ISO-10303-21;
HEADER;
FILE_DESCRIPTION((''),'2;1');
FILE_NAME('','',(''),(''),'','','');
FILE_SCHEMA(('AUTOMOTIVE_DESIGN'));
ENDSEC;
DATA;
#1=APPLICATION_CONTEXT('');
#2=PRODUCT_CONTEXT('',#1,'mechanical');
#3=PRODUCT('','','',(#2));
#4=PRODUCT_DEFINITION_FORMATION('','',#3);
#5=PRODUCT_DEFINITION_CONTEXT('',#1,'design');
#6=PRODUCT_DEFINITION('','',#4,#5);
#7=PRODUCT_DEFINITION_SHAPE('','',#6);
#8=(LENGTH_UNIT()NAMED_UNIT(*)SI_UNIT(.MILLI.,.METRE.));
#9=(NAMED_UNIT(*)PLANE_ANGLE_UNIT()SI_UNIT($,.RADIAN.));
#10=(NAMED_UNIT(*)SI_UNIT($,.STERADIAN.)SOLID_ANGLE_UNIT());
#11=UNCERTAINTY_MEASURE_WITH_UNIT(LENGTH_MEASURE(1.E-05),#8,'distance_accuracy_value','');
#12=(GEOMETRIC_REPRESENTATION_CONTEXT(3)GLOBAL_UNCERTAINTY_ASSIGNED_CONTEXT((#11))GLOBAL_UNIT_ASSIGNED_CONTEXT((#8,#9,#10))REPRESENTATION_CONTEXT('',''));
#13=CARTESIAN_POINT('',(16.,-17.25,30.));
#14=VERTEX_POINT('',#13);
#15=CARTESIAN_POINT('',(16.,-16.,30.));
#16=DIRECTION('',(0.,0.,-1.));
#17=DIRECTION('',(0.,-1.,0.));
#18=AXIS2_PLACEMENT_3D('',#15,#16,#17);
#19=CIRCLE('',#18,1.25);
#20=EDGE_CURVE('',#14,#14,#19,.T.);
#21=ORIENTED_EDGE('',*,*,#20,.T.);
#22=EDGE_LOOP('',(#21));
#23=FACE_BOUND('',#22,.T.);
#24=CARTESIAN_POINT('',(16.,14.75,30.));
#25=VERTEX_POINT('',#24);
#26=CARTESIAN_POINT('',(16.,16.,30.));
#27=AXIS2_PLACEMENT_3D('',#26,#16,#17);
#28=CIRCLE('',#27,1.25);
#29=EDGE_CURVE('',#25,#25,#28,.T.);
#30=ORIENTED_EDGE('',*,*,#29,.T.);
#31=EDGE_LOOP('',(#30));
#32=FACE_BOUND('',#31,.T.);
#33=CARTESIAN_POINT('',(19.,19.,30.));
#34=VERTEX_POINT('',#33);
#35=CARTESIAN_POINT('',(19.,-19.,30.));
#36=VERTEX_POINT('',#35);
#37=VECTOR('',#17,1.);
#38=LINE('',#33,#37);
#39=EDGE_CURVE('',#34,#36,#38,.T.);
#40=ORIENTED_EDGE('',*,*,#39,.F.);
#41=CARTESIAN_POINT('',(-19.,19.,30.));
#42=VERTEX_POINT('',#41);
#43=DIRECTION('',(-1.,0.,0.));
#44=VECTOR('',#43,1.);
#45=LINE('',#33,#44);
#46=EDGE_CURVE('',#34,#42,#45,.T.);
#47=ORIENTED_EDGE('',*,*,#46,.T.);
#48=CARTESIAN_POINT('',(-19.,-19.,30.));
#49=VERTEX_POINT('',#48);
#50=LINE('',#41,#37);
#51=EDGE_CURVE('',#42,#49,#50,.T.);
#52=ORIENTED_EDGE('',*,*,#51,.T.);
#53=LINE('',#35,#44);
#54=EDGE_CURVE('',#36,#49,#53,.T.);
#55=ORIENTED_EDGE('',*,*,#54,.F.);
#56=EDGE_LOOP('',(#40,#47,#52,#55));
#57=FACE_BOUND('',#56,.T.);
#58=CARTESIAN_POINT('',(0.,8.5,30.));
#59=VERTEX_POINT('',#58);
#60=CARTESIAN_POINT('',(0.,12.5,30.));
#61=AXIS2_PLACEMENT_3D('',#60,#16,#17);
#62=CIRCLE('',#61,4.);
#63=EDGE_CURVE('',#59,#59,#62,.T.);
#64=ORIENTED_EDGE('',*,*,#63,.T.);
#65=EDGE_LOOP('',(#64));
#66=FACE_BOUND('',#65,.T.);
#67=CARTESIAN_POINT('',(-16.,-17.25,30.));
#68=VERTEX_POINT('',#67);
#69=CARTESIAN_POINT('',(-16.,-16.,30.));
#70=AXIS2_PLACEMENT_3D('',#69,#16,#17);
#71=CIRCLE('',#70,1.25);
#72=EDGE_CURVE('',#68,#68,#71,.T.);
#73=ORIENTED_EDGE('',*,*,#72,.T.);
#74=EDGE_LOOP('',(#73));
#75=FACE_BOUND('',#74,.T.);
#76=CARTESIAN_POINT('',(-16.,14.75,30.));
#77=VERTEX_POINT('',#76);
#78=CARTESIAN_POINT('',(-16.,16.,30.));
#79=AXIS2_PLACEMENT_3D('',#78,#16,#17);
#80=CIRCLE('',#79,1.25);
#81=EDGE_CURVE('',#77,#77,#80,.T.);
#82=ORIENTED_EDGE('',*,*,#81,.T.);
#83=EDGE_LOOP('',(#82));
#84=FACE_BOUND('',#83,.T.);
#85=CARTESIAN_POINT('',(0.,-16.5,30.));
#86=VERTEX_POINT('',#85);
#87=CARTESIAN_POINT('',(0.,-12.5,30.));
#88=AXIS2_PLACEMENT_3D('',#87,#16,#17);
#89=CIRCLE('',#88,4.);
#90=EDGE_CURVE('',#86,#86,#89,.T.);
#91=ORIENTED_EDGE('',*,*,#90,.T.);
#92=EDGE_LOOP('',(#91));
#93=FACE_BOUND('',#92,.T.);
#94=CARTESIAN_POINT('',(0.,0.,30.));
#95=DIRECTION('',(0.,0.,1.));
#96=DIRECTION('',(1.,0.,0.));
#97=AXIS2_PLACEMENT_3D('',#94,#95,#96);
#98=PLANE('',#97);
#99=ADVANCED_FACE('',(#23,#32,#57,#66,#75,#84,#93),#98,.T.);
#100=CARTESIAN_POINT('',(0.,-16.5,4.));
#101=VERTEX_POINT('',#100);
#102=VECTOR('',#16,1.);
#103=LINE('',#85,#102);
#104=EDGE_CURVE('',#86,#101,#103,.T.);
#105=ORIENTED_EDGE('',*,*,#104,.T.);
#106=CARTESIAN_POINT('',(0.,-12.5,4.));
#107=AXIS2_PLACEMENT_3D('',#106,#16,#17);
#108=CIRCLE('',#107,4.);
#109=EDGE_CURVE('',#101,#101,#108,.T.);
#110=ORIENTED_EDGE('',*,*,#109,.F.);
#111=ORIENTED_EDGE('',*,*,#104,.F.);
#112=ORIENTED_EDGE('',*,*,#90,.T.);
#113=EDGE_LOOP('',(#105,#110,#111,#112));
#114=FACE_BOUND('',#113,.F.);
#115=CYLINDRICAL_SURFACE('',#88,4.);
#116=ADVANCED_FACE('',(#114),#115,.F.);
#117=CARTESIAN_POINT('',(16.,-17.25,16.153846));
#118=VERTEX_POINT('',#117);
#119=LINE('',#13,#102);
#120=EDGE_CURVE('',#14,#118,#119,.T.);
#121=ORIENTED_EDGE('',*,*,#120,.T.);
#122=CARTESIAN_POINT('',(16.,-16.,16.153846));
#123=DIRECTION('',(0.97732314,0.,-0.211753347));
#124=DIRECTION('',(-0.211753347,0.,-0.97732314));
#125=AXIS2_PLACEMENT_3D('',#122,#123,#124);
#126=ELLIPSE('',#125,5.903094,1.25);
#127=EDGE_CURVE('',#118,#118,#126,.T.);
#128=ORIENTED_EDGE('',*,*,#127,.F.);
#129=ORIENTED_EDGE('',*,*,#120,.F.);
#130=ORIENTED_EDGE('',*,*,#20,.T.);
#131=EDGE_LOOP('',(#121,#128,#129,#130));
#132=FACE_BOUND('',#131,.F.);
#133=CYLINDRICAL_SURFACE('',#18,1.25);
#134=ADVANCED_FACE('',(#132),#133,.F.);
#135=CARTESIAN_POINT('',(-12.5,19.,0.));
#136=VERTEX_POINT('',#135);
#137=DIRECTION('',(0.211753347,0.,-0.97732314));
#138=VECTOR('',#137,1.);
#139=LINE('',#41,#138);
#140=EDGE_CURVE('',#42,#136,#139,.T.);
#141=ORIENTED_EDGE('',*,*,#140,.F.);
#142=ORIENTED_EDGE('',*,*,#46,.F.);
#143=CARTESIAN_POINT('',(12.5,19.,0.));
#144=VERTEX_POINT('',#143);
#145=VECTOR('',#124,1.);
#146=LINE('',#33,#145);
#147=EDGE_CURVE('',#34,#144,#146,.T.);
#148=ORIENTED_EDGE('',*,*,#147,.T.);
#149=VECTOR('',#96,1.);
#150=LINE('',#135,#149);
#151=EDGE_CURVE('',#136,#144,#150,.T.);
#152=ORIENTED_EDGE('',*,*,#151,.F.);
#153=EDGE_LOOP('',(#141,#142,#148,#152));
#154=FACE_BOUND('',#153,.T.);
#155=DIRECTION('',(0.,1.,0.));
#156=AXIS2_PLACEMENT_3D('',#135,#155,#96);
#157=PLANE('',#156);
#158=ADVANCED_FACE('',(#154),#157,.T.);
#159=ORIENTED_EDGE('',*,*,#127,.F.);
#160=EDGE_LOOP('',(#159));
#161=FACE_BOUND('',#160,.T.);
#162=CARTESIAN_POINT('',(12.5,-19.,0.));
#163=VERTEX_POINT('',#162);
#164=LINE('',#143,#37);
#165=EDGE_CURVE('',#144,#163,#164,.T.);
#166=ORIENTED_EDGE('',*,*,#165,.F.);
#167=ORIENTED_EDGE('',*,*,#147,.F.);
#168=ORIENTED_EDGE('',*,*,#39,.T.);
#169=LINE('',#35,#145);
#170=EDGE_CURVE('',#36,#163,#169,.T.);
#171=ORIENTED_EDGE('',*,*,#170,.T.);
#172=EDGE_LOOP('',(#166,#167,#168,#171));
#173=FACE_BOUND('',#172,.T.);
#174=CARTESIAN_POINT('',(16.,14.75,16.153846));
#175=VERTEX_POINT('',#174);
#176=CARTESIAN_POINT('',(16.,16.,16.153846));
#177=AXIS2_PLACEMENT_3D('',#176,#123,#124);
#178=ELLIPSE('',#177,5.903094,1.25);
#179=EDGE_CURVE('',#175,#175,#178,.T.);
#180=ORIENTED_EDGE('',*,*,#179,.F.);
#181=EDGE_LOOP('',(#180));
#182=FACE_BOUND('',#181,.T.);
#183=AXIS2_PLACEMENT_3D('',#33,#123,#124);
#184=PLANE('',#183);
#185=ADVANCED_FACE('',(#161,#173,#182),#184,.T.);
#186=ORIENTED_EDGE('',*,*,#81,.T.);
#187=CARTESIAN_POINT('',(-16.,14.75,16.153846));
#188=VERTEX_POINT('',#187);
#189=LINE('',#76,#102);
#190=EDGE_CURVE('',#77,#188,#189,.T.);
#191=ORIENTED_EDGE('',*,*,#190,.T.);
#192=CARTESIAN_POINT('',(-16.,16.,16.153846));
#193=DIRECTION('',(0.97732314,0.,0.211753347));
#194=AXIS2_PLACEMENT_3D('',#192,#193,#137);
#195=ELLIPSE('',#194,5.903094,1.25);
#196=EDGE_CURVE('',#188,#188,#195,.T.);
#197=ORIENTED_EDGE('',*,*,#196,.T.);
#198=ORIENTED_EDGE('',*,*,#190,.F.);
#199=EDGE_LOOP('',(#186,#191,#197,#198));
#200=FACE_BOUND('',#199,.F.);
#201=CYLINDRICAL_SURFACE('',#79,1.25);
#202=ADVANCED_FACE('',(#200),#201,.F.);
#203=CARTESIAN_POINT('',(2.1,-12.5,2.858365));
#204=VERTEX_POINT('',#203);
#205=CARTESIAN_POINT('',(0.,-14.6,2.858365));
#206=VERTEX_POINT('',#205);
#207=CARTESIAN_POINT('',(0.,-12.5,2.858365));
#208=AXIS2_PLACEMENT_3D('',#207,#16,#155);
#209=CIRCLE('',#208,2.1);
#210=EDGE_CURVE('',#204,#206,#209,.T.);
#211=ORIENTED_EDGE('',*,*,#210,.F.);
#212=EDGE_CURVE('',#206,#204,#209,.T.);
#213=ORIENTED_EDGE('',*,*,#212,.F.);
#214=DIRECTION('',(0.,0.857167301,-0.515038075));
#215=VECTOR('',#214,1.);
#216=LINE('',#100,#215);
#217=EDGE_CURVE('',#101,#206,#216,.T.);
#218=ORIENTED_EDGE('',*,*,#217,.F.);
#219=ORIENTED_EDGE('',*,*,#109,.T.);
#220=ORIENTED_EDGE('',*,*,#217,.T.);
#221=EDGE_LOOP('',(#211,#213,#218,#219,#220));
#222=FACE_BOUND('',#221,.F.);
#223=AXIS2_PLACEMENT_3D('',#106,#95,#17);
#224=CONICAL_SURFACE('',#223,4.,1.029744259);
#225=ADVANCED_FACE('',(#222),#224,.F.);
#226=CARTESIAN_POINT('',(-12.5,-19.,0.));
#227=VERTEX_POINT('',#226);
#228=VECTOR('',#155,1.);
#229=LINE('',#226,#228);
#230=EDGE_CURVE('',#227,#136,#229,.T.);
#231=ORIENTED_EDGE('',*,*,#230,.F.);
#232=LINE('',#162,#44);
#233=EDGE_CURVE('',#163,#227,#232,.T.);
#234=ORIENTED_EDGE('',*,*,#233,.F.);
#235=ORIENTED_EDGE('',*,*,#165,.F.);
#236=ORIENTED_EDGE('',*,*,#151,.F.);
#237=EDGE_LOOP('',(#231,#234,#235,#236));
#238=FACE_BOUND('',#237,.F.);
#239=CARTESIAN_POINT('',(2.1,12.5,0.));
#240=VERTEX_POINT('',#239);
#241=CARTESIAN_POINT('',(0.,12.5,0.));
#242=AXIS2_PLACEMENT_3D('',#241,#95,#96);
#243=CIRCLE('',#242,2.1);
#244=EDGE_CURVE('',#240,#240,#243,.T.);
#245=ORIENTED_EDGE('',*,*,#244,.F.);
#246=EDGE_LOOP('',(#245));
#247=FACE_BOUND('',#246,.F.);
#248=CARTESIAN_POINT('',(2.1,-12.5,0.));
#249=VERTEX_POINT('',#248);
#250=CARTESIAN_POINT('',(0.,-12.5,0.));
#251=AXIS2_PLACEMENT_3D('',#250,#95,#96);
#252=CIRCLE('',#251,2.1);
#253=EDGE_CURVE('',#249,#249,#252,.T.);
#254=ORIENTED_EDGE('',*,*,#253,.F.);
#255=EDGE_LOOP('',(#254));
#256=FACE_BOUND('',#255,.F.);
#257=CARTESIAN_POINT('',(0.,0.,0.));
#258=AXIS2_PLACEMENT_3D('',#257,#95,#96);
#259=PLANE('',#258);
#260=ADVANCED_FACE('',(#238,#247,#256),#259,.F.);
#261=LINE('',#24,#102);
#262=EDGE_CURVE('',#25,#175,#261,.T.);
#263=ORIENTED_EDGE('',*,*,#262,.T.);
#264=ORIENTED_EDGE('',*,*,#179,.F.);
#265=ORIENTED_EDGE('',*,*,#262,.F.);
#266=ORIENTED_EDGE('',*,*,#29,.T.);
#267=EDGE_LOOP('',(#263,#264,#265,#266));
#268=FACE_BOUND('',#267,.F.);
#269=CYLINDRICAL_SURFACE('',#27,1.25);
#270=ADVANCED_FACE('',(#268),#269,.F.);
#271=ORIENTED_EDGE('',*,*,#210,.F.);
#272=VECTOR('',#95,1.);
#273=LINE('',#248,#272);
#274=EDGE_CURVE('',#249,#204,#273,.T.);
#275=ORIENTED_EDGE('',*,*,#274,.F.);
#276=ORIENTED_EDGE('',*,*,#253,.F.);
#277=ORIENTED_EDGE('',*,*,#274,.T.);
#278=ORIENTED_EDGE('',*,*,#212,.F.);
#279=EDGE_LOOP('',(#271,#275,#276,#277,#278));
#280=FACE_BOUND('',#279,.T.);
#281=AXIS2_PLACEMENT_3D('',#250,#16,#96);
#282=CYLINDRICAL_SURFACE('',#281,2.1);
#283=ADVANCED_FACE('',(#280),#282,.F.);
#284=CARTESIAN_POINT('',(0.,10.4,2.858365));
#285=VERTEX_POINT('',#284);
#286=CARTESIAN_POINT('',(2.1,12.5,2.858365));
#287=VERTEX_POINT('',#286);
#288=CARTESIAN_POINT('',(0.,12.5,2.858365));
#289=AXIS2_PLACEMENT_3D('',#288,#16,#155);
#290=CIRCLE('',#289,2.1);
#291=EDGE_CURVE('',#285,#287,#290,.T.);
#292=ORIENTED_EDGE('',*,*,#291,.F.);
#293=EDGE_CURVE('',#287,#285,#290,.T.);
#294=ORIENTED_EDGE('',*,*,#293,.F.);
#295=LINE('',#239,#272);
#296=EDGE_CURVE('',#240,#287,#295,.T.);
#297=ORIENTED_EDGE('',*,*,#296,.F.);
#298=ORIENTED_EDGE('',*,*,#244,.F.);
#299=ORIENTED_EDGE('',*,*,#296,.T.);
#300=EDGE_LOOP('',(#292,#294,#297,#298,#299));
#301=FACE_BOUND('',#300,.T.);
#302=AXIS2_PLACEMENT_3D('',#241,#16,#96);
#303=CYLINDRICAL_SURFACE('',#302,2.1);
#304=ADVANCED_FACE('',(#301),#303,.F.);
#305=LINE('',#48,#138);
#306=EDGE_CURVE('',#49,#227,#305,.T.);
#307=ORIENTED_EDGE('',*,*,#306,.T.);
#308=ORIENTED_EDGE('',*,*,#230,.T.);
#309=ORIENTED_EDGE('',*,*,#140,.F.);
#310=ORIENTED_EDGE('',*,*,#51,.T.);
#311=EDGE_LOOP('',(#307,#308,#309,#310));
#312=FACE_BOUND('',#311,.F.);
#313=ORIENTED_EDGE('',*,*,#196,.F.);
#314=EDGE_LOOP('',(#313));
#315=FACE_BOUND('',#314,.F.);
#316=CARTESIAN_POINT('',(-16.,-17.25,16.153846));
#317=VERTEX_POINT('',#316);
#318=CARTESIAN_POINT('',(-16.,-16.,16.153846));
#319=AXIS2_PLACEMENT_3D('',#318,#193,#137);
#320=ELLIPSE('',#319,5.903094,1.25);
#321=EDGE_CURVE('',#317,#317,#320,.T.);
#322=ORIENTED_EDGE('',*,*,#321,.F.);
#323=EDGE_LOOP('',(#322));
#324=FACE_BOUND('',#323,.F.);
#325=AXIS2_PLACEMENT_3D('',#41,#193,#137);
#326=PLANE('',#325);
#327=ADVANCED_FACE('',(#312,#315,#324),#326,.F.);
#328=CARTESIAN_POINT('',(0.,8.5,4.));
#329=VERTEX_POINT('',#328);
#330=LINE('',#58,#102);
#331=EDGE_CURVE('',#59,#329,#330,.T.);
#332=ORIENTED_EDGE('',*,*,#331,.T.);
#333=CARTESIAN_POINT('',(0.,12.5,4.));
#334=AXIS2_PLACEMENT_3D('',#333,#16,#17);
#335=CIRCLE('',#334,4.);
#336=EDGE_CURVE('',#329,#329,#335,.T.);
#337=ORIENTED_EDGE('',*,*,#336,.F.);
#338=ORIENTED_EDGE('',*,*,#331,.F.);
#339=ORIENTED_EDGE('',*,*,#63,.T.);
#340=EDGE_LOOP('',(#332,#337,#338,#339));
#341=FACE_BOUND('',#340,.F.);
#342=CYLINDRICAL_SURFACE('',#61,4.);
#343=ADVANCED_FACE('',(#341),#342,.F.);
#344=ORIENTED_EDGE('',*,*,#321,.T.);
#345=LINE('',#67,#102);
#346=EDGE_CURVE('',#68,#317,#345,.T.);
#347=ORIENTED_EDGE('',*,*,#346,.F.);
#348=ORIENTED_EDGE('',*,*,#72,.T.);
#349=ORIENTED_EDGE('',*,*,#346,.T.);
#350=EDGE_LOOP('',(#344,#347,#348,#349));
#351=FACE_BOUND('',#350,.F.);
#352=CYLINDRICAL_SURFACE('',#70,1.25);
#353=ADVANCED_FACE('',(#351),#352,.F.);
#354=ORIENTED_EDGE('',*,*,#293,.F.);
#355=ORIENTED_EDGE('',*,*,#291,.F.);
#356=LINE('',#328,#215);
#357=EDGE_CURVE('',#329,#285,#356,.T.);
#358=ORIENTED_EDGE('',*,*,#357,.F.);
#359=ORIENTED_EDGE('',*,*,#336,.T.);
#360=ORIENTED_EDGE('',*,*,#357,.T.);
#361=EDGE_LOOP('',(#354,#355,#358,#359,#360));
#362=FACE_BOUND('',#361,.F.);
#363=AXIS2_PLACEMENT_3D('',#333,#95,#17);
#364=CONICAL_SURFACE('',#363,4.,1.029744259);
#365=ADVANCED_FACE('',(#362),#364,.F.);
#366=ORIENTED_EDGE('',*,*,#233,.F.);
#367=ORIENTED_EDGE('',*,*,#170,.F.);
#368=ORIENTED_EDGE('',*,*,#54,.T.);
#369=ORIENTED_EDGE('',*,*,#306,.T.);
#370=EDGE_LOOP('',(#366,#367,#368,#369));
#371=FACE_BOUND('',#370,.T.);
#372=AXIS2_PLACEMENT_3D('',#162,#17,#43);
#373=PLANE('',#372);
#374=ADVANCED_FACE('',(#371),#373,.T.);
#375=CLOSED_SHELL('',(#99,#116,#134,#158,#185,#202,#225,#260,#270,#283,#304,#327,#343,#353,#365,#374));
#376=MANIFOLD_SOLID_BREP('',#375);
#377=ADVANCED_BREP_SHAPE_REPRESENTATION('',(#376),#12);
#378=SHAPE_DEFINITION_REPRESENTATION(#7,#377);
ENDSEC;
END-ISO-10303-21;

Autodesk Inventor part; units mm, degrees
ref_plane "YZ Plane" through (0, 0, 0) normal (1, 0, 0) x (0, 1, 0)
ref_plane "XZ Plane" through (0, 0, 0) normal (0, 1, 0) x (-1, 0, 0)
ref_plane "XY Plane" through (0, 0, 0) normal (0, 0, 1) x (1, 0, 0)
sketch "Sketch1" plane through (0, 0, 0) normal (0, 0, 1) x (1, 0, 0)
  line L0 (12.5, -19) -> (-12.5, -19)
  line L1 (-12.5, -19) -> (-12.5, 19)
  line L2 (-12.5, 19) -> (12.5, 19)
  line L3 (12.5, 19) -> (12.5, -19)
  line L4 (12.5, -19) -> (-12.5, 19) construction
  line L5 (-12.5, -19) -> (12.5, 19) construction
  circle A0 centre (0, 12.5) radius 2.1
  circle A1 centre (0, -12.5) radius 2.1
  point P0 (0, 0)
  dimension "d0" = 25
  dimension "d1" = 38
  dimension "d2" = 4.2
  dimension "d3" = 4.2
  dimension "d4" = 12.5
  dimension "d5" = 12.5
extrude "Extrusion1" add sketch "Sketch1" along normal blind 30
sketch "Sketch2" plane through (-12.5, 19, 0) normal (0, 1, 0) x (1, 0, 0)
  line L0 (0, 0) -> (0, -30) projected
  line L1 (0, -30) -> (-6.5, -30)
  line L2 (-6.5, -30) -> (0, 0)
  line L3 (0, -30) -> (25, -30) projected
  line L4 (0, 0) -> (0, -30)
  line L5 (25, -30) -> (31.5, -30)
  line L6 (25, 0) -> (25, -30) projected
  line L7 (31.5, -30) -> (25, 0)
  line L8 (25, 0) -> (25, -30)
  point P0 (12.5, 0)
  dimension "d8" = 6.5
  dimension "d9" = 6.5
extrude "Extrusion2" add sketch "Sketch2" against normal up to surface (38 mm away)
sketch "Sketch3" plane through (0, 0, 30) normal (0, 0, 1) x (1, 0, 0)
  line L0 (-5.4088, 0) -> (7.7062, 0)
  line L1 (0, 5.8117) -> (0, -6.6687)
  point P0 (0, 0)
  point P1 (-16, 16)
  point P2 (16, 16)
  point P3 (-16, -16)
  point P4 (16, -16)
  dimension "d12" = 16
  dimension "d13" = 16
  dimension "d16" = 32
  dimension "d19" = 32
hole "Hole1" at (-16, 16, 30) at (16, 16, 30) at (-16, -16, 30) at (16, -16, 30) direction (0, 0, -1) diameter 2.5 depth 20 tip angle 118
hole "Hole2" at (0, -12.5, 30) direction (0, 0, -1) diameter 8 depth 26 tip angle 118
hole "Hole3" at (0, 12.5, 30) direction (0, 0, -1) diameter 8 depth 26 tip angle 118
properties part number "RDtoRC2-height30mm"
